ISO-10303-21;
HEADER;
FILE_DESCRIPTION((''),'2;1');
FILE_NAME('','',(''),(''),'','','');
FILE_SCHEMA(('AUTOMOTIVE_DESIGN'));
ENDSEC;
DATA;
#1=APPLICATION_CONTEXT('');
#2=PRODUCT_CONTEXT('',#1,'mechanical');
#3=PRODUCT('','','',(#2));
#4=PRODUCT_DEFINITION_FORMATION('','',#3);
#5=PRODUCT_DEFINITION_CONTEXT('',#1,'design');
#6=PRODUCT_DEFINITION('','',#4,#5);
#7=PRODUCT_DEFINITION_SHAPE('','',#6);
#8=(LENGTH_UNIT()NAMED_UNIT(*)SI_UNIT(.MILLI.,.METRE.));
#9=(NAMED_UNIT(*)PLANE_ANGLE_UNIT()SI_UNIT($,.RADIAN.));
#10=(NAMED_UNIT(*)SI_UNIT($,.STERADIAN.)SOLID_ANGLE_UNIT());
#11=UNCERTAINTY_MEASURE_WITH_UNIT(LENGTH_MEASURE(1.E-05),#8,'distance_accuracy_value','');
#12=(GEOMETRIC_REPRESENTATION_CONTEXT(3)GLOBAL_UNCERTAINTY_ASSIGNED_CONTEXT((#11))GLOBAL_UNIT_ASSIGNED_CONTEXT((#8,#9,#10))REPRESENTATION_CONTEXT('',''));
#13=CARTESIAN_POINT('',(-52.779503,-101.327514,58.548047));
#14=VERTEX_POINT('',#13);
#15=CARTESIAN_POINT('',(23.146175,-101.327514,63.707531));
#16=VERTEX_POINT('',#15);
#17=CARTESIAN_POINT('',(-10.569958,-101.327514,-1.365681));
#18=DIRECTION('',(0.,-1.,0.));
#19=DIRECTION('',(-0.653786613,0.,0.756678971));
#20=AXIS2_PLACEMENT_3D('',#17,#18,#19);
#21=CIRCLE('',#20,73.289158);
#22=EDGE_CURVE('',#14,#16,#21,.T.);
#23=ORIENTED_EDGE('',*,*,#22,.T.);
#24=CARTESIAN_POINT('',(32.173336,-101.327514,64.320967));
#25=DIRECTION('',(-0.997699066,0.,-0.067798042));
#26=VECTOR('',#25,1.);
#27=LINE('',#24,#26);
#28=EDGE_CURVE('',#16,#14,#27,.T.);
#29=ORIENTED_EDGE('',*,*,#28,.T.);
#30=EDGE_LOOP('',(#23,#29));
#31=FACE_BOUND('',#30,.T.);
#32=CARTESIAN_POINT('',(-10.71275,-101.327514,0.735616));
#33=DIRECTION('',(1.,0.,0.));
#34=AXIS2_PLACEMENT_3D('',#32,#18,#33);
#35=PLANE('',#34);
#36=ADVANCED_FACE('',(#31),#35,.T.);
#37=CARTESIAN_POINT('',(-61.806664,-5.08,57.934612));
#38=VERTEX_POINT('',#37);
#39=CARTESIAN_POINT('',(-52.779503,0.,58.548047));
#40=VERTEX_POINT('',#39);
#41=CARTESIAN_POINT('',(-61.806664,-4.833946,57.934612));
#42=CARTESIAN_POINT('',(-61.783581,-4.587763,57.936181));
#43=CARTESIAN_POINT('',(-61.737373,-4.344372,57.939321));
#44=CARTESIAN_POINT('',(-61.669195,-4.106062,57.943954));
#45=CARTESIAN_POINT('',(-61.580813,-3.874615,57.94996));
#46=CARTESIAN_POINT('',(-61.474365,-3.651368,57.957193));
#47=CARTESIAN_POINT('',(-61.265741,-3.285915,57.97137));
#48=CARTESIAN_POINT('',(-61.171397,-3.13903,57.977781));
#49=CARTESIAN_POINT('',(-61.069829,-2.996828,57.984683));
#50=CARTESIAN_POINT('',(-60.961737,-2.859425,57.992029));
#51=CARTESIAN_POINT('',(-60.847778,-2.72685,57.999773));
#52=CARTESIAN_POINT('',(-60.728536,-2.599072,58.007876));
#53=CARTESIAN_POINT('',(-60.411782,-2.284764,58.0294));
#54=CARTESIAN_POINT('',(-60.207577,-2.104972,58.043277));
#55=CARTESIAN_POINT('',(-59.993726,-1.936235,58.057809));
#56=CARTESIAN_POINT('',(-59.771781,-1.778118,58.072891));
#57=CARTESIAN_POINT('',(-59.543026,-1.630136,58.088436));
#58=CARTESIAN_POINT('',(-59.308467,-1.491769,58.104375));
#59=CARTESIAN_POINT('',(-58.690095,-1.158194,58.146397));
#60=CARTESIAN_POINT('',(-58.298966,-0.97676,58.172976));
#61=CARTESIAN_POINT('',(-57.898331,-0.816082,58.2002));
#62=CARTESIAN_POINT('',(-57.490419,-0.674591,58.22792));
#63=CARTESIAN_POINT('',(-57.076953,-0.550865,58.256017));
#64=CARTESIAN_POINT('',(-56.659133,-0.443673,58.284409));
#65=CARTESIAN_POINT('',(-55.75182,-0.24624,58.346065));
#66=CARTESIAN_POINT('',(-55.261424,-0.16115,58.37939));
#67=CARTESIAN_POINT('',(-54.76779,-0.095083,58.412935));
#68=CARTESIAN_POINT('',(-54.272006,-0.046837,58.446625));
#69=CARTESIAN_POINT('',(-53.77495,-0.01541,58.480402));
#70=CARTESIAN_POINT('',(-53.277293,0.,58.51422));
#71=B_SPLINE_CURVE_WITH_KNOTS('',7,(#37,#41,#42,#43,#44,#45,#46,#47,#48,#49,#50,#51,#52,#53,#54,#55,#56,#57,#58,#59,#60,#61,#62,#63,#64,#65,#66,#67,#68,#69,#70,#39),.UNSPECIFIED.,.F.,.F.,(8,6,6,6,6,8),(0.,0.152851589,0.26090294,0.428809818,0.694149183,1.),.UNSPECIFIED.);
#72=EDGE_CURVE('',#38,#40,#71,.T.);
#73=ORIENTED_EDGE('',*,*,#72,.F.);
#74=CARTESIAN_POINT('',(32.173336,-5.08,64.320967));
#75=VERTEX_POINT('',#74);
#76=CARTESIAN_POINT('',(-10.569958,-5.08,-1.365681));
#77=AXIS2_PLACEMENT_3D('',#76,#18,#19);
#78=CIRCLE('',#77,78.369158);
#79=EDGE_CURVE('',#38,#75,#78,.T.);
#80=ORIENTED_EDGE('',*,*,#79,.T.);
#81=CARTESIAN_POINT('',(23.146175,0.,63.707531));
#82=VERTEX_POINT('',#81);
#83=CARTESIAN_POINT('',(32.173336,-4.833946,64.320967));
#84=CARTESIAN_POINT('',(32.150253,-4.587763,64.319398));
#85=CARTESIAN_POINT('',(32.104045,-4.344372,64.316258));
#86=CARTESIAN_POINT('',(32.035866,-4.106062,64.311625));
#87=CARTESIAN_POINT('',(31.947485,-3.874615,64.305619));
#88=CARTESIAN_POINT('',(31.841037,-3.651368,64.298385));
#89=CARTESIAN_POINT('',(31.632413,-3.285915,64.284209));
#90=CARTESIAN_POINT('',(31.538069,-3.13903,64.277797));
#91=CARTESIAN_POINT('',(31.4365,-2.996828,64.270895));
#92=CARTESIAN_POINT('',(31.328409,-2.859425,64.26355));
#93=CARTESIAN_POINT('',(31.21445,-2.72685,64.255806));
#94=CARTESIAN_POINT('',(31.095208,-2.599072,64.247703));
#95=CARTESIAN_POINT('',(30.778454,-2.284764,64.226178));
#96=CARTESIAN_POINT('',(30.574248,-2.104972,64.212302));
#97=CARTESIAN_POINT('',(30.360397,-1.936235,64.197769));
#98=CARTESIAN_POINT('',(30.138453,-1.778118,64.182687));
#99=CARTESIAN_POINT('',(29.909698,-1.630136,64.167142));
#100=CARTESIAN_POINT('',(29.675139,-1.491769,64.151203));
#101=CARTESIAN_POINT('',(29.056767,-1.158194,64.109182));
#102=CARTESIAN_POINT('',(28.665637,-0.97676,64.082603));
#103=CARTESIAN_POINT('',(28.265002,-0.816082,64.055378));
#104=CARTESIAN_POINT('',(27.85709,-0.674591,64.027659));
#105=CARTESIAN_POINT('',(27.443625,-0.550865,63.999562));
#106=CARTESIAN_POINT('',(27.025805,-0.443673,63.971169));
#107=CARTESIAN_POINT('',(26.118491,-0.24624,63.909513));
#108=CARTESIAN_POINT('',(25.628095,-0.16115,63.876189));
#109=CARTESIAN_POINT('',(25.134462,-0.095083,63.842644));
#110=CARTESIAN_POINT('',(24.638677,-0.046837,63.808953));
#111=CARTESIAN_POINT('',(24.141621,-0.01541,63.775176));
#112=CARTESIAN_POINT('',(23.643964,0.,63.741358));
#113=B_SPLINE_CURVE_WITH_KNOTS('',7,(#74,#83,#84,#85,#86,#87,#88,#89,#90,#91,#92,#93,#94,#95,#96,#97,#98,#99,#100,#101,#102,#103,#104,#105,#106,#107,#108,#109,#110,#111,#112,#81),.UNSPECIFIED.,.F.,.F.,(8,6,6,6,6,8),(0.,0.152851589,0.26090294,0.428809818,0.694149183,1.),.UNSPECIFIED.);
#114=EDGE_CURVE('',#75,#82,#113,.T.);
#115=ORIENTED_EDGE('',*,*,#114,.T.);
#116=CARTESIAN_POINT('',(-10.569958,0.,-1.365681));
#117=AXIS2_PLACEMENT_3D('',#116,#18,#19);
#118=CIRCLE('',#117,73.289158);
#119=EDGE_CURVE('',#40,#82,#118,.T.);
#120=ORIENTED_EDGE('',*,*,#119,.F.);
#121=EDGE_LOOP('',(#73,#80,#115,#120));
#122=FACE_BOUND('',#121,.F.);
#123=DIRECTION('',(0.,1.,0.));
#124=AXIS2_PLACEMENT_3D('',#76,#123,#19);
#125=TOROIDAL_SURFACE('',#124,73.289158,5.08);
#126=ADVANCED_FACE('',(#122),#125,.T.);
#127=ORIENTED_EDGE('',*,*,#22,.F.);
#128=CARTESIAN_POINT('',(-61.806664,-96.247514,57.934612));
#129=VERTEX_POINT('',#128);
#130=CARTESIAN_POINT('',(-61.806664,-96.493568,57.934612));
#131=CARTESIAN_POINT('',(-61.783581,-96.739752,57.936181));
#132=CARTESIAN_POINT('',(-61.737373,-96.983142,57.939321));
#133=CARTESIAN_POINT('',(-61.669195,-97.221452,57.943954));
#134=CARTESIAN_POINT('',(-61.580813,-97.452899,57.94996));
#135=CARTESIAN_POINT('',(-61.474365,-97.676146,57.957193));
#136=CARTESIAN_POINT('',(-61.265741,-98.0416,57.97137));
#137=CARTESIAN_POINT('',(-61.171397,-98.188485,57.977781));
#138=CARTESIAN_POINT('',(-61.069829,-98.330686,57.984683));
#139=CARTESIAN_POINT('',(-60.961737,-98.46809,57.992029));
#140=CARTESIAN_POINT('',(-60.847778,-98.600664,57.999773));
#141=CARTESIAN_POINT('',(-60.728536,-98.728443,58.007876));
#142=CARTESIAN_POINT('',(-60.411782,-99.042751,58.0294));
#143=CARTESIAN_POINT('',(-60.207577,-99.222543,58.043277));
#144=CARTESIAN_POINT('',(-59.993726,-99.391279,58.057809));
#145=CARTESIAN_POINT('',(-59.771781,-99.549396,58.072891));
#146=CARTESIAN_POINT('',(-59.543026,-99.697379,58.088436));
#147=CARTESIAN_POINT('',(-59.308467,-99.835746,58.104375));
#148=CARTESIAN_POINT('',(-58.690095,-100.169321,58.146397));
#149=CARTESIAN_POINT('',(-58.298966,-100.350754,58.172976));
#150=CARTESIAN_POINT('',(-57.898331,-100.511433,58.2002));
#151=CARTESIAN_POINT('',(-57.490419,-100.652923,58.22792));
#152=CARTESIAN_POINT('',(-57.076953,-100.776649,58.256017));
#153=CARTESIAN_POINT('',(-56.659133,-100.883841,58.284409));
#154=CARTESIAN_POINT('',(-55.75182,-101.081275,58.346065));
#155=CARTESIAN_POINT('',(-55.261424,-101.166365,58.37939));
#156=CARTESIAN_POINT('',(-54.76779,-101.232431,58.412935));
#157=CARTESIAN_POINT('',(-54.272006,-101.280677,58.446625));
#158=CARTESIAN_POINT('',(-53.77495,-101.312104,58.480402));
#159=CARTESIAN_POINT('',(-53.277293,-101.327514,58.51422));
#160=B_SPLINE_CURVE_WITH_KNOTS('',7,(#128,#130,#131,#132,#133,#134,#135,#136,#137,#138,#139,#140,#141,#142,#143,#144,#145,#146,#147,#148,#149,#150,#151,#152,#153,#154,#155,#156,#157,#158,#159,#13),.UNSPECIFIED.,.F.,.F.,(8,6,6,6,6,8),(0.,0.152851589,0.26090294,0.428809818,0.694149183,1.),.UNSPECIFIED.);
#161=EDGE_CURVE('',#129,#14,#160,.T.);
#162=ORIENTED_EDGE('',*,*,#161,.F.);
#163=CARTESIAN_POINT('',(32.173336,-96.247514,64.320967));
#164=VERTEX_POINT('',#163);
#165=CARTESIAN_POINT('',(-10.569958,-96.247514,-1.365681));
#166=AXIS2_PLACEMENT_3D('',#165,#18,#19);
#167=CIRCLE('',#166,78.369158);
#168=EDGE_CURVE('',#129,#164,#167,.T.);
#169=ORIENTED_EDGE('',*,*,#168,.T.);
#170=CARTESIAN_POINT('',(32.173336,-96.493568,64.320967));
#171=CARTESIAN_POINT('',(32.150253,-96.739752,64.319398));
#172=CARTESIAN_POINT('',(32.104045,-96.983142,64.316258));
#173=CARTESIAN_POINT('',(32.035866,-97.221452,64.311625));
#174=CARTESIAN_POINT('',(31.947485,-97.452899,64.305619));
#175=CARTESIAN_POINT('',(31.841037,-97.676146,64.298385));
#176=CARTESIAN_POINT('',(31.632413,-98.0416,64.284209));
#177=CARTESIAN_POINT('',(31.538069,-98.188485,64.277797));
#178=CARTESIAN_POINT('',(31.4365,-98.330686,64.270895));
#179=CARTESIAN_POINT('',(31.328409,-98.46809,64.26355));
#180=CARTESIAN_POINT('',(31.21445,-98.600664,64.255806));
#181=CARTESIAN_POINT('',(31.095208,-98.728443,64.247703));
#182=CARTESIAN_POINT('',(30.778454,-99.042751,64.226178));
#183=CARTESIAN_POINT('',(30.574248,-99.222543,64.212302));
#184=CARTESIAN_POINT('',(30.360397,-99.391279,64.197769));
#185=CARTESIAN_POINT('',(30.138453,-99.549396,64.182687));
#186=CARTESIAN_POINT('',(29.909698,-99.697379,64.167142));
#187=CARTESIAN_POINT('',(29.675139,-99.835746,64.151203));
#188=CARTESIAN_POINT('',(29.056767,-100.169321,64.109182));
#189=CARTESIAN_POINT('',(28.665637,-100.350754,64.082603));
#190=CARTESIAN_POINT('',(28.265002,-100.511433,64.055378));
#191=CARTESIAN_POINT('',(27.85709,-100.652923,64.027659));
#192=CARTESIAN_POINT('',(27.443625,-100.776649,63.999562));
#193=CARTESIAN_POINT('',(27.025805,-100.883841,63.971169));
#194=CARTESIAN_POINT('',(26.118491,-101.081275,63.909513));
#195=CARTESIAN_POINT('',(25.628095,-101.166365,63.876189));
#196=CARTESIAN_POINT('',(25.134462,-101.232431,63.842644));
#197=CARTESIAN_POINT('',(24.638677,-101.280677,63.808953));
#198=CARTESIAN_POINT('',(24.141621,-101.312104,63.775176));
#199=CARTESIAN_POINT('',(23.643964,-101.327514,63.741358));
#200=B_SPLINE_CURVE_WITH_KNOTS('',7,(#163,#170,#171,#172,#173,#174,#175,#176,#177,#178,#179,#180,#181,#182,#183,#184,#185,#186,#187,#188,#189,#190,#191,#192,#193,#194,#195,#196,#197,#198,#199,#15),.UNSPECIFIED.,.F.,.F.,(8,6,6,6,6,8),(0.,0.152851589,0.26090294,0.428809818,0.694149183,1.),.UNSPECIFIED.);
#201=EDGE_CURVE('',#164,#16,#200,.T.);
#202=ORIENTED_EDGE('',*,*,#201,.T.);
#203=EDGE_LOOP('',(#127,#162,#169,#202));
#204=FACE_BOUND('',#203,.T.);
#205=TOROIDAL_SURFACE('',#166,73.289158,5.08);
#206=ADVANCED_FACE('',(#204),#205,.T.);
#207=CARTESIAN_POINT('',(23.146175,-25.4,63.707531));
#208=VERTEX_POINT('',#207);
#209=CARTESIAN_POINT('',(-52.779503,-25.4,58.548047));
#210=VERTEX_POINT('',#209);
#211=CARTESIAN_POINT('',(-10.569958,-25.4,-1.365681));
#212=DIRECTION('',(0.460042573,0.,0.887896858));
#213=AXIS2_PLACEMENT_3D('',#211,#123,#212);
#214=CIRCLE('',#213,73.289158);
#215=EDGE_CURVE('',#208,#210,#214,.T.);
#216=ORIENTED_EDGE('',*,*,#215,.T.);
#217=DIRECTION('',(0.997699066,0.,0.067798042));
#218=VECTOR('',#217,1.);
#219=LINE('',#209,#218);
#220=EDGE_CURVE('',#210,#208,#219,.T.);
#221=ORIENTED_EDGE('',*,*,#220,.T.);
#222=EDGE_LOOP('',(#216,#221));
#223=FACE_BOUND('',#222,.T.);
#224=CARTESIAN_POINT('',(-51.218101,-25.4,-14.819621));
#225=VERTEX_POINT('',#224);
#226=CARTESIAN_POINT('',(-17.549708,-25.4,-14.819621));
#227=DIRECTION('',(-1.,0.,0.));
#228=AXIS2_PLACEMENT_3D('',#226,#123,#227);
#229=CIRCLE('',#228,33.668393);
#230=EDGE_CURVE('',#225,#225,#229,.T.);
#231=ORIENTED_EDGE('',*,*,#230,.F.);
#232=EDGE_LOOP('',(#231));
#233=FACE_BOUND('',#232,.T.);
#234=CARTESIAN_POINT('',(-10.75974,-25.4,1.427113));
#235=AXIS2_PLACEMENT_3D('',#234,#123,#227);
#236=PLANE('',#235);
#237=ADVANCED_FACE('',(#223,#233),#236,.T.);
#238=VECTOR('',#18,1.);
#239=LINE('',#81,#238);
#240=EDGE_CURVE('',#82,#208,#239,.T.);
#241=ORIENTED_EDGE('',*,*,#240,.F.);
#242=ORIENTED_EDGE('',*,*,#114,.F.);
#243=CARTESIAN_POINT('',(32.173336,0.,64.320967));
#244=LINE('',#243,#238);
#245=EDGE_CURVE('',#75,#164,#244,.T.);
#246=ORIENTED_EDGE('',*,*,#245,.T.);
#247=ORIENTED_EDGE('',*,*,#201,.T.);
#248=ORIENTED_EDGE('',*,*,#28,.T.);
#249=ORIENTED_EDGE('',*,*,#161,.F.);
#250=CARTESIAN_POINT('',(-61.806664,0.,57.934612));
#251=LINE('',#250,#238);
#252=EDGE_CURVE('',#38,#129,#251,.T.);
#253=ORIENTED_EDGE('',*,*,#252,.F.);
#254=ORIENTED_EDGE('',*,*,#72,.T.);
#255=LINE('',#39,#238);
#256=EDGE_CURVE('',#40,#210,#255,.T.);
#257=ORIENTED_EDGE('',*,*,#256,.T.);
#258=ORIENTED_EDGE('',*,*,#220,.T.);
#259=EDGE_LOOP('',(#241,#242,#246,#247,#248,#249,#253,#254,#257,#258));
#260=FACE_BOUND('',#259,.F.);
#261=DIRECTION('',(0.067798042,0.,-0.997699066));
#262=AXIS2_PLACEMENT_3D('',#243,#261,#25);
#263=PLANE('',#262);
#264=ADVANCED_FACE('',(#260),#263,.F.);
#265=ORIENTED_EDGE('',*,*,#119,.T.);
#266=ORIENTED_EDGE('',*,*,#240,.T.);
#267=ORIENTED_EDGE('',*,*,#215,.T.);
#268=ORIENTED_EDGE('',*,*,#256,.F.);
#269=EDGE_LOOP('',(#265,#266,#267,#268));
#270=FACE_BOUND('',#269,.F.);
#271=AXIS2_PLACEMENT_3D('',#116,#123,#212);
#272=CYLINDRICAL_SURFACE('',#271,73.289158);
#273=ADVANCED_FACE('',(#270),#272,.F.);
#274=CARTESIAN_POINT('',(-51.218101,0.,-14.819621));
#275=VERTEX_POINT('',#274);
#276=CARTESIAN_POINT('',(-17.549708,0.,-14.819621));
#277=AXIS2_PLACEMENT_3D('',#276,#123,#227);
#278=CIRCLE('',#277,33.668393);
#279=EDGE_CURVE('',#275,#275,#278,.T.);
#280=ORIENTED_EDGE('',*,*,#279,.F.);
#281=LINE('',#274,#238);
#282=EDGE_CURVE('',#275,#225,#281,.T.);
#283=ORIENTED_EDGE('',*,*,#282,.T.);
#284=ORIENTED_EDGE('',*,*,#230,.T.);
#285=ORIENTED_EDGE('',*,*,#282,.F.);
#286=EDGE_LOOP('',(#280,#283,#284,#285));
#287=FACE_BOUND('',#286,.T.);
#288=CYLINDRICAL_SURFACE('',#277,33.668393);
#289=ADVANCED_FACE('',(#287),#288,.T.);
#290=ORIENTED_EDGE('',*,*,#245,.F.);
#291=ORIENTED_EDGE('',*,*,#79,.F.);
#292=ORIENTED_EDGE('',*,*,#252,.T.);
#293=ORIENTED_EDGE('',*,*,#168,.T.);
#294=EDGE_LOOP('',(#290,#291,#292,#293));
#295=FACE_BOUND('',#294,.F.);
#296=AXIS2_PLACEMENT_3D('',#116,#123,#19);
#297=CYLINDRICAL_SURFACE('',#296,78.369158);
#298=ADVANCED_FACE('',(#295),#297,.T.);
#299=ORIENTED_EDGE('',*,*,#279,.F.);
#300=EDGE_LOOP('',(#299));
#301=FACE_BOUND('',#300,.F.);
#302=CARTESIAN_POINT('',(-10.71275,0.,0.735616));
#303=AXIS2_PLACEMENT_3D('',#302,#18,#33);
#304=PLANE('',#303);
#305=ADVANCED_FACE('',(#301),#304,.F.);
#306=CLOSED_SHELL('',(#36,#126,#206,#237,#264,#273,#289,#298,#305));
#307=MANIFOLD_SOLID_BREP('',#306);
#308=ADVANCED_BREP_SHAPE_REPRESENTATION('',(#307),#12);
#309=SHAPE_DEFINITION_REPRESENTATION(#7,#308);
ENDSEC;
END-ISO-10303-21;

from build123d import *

# Parameters (mm, degrees)
F1_DEPTH = 101.3275142759
F2_R     = 5.08
F3_R     = 5.08
F4_R     = 33.6683926693
F5_DEPTH = 25.4


with BuildPart() as f1:
    # F0 (on Front) → F1 (new body)
    with BuildSketch(Plane.XZ):
        with BuildLine():
            Line((32.1733355522, 64.3209666014), (-61.8066638708, 57.9346120358))
            ThreePointArc((-61.8066638708, 57.9346120358), (-5.2566823209, -79.5545167495), (32.1733355522, 64.3209666014))
        make_face()
    extrude(amount=F1_DEPTH)

    # F2
    f2_edges = [f1.edges().sort_by_distance(p)[0] for p in [
        (-5.256682, -101.327514, -79.554517),
    ]]
    fillet(f2_edges, radius=F2_R)

    # F3
    f3_edges = [f1.edges().sort_by_distance(p)[0] for p in [
        (-5.256682, 0, -79.554517),
    ]]
    fillet(f3_edges, radius=F3_R)

    # F4 (on face) → F5 (cut)
    with BuildSketch(Plane(origin=(0, 0, 0), x_dir=(-1, 0, 0), z_dir=(0, 1, 0))):
        with BuildLine():
            ThreePointArc((-23.146174833, 63.7075313021), (5.6010963761, -74.4862054964), (52.7795031516, 58.548047335))
            Line((52.7795031516, 58.548047335), (-23.146174833, 63.7075313021))
        make_face()
        with Locations((17.5497084856, -14.8196211085)):
            Circle(F4_R, mode=Mode.SUBTRACT)
    extrude(amount=-F5_DEPTH, mode=Mode.SUBTRACT)


solid = f1.part
